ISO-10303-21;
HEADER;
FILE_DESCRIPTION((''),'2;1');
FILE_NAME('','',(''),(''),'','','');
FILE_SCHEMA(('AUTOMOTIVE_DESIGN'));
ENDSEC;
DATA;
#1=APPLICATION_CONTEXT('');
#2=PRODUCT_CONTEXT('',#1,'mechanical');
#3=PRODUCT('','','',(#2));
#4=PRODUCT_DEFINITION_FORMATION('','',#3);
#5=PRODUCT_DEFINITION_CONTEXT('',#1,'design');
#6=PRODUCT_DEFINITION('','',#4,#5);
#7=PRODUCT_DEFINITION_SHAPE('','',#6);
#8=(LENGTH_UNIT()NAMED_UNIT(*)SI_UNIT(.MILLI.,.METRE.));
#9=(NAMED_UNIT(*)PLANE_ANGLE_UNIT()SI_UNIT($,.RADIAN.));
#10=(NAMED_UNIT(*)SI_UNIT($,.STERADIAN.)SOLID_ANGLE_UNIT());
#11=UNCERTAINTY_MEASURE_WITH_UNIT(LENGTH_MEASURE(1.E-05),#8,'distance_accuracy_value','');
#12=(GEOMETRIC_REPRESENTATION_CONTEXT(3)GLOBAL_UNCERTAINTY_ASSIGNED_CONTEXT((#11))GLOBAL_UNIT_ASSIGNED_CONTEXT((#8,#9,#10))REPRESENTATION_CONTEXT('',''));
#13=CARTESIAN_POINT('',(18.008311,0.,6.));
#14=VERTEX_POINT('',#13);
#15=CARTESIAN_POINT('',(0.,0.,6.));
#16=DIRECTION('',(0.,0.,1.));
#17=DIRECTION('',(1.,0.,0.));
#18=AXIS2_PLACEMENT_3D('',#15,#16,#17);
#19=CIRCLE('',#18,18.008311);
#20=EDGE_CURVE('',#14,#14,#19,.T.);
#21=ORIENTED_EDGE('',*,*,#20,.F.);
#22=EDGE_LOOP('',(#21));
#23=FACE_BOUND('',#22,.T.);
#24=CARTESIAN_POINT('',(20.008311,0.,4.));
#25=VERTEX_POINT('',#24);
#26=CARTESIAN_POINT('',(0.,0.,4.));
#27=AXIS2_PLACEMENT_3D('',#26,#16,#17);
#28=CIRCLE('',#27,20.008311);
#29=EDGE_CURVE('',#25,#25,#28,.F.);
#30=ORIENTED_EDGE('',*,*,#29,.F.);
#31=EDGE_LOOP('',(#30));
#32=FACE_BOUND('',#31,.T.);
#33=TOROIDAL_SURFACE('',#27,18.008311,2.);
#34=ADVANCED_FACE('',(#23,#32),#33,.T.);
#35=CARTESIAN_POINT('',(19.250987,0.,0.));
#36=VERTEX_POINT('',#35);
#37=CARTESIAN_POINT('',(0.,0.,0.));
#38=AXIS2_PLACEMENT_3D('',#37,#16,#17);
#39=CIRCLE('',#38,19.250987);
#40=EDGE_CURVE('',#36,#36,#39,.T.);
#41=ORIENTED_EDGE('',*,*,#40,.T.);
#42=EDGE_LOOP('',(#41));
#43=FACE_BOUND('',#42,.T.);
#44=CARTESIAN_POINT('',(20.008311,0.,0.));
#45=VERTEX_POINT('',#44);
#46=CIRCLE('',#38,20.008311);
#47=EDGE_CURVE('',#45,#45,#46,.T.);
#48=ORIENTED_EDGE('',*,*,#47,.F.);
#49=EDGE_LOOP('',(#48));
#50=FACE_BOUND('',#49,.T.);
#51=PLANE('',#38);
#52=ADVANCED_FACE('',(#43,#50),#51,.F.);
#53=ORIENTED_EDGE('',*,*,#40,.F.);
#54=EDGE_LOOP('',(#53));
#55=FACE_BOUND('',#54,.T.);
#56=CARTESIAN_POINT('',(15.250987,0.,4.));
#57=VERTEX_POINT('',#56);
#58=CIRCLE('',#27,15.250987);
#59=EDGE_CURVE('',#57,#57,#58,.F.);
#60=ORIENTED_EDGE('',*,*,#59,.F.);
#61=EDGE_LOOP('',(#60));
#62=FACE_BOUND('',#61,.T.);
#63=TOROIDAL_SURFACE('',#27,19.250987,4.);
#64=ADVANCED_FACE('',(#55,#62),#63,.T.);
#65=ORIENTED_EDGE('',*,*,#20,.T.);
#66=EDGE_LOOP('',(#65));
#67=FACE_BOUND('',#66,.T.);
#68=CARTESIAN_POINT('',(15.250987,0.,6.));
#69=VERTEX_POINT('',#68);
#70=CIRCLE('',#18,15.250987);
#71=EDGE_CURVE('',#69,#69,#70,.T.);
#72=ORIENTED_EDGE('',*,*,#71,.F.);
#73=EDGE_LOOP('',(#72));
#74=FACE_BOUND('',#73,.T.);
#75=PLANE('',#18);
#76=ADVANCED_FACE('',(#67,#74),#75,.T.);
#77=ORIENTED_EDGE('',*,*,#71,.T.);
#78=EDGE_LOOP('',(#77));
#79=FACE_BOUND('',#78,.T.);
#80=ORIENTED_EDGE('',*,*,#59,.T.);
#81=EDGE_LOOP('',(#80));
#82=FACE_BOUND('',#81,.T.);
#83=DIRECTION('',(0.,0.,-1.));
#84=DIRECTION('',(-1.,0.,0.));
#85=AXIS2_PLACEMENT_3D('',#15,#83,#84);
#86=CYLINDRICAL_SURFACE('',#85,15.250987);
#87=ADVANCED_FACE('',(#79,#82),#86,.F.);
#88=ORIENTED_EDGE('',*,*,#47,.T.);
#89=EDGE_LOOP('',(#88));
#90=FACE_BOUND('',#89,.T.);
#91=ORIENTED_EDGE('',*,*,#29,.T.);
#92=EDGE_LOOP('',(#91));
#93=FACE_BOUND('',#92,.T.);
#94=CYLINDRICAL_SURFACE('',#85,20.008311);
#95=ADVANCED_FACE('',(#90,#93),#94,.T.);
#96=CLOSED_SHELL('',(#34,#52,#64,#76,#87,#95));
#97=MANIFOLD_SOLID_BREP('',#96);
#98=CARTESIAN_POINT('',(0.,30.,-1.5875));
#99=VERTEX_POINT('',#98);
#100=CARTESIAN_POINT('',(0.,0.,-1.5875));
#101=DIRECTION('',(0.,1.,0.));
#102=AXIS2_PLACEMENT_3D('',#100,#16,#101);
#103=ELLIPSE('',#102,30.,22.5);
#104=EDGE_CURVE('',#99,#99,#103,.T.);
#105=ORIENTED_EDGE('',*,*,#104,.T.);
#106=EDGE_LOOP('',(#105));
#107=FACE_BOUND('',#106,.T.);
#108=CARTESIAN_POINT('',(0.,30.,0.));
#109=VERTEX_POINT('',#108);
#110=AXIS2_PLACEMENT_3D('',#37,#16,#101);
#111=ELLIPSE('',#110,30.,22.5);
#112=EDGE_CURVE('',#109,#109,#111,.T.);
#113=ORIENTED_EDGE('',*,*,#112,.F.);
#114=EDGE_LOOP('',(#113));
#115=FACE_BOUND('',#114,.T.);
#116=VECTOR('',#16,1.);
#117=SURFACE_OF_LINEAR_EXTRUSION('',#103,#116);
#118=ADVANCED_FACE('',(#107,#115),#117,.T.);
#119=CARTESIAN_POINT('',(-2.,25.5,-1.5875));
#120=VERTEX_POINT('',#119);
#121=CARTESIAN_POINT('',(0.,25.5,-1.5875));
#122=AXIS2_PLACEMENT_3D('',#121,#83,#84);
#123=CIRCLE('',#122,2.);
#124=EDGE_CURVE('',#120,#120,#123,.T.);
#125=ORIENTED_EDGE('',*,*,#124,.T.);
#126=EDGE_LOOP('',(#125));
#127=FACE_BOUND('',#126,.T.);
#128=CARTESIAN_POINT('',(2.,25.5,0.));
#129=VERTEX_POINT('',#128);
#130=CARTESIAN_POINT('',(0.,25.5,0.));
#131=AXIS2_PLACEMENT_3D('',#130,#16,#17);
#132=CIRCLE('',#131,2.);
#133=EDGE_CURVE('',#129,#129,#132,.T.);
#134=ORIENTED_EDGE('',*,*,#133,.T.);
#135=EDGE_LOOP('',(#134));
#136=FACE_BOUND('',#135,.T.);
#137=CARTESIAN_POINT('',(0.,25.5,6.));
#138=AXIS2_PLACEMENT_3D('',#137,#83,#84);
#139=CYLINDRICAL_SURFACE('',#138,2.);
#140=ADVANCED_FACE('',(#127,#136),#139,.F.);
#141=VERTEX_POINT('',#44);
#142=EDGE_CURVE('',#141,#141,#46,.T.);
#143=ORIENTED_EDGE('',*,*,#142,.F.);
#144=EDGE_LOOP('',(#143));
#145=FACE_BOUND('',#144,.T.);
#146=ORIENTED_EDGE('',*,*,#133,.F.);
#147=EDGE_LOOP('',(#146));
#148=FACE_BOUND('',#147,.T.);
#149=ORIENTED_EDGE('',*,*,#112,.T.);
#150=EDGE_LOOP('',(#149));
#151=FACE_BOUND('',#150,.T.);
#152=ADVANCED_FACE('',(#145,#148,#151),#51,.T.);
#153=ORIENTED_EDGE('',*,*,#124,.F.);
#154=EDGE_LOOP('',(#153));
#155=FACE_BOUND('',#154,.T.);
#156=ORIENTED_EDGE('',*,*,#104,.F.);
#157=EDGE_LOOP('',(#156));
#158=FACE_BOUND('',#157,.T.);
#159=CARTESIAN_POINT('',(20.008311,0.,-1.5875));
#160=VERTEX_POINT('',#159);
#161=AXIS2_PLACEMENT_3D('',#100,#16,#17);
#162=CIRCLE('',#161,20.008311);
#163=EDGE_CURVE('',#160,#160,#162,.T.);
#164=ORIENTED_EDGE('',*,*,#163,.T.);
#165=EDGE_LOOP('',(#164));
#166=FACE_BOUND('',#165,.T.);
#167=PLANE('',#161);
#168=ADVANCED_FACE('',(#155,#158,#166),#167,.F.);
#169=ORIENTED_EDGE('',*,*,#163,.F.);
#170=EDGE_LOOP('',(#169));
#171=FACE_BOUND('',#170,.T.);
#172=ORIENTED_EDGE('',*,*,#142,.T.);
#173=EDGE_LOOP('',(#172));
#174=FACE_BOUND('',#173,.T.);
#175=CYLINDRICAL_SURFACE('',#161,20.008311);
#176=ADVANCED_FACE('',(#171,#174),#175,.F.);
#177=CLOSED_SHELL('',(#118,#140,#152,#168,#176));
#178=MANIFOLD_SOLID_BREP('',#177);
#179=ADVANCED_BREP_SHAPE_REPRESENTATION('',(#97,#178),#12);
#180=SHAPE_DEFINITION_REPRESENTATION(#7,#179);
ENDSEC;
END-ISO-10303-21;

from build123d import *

# Parameters (mm, degrees)
SKETCH1_RX              = 30
SKETCH1_RY              = 22.5
SKETCH1_R               = 20.008311299
BOSS_EXTRUDE1_DEPTH     = 1.5875
SKETCH1_3_R             = 20.008311299
SKETCH1_3_R_2           = 15.25098722
BOSS_EXTRUDE2_DEPTH     = 6
FILLET1_R               = 4
FILLET2_R               = 2
CUT_EXTRUDE1_DEPTH      = 39.259902741
CUT_EXTRUDE1_DEPTH_BACK = 39.259902741
SKETCH3_R               = 2


with BuildPart() as part:
    # Sketch1 → Boss-Extrude1 (new body)
    with BuildSketch(Plane.XY):
        with Locations(Location((0, 0), (0, 0, 90))):
            Ellipse(SKETCH1_RX, SKETCH1_RY)
        Circle(SKETCH1_R, mode=Mode.SUBTRACT)
    extrude(amount=-BOSS_EXTRUDE1_DEPTH)

    # Sketch3 → Cut-Extrude1 (cut, two sides: drawn at the far end of the back side and taken through both)
    with BuildSketch(Plane(origin=(0, 0, -1.5875), x_dir=(-1, 0, 0), z_dir=(0, 0, -1)).offset(-CUT_EXTRUDE1_DEPTH_BACK)):
        with Locations((0, 25.5)):
            Circle(SKETCH3_R)
    extrude(amount=CUT_EXTRUDE1_DEPTH + CUT_EXTRUDE1_DEPTH_BACK, mode=Mode.SUBTRACT)


with BuildPart() as body_2:
    # Sketch1<3> → Boss-Extrude2 (new body)
    with BuildSketch(Plane.XY):
        Circle(SKETCH1_3_R)
        Circle(SKETCH1_3_R_2, mode=Mode.SUBTRACT)
    extrude(amount=BOSS_EXTRUDE2_DEPTH)

    # Fillet1
    fillet1_edges = [body_2.edges().sort_by_distance(p)[0] for p in [
        (-15.25098722, 0, 0),
    ]]
    fillet(fillet1_edges, radius=FILLET1_R)

    # Fillet2
    fillet2_edges = [body_2.edges().sort_by_distance(p)[0] for p in [
        (-20.008311299, 0, 6),
    ]]
    fillet(fillet2_edges, radius=FILLET2_R)


solid = Compound([part.part, body_2.part])
